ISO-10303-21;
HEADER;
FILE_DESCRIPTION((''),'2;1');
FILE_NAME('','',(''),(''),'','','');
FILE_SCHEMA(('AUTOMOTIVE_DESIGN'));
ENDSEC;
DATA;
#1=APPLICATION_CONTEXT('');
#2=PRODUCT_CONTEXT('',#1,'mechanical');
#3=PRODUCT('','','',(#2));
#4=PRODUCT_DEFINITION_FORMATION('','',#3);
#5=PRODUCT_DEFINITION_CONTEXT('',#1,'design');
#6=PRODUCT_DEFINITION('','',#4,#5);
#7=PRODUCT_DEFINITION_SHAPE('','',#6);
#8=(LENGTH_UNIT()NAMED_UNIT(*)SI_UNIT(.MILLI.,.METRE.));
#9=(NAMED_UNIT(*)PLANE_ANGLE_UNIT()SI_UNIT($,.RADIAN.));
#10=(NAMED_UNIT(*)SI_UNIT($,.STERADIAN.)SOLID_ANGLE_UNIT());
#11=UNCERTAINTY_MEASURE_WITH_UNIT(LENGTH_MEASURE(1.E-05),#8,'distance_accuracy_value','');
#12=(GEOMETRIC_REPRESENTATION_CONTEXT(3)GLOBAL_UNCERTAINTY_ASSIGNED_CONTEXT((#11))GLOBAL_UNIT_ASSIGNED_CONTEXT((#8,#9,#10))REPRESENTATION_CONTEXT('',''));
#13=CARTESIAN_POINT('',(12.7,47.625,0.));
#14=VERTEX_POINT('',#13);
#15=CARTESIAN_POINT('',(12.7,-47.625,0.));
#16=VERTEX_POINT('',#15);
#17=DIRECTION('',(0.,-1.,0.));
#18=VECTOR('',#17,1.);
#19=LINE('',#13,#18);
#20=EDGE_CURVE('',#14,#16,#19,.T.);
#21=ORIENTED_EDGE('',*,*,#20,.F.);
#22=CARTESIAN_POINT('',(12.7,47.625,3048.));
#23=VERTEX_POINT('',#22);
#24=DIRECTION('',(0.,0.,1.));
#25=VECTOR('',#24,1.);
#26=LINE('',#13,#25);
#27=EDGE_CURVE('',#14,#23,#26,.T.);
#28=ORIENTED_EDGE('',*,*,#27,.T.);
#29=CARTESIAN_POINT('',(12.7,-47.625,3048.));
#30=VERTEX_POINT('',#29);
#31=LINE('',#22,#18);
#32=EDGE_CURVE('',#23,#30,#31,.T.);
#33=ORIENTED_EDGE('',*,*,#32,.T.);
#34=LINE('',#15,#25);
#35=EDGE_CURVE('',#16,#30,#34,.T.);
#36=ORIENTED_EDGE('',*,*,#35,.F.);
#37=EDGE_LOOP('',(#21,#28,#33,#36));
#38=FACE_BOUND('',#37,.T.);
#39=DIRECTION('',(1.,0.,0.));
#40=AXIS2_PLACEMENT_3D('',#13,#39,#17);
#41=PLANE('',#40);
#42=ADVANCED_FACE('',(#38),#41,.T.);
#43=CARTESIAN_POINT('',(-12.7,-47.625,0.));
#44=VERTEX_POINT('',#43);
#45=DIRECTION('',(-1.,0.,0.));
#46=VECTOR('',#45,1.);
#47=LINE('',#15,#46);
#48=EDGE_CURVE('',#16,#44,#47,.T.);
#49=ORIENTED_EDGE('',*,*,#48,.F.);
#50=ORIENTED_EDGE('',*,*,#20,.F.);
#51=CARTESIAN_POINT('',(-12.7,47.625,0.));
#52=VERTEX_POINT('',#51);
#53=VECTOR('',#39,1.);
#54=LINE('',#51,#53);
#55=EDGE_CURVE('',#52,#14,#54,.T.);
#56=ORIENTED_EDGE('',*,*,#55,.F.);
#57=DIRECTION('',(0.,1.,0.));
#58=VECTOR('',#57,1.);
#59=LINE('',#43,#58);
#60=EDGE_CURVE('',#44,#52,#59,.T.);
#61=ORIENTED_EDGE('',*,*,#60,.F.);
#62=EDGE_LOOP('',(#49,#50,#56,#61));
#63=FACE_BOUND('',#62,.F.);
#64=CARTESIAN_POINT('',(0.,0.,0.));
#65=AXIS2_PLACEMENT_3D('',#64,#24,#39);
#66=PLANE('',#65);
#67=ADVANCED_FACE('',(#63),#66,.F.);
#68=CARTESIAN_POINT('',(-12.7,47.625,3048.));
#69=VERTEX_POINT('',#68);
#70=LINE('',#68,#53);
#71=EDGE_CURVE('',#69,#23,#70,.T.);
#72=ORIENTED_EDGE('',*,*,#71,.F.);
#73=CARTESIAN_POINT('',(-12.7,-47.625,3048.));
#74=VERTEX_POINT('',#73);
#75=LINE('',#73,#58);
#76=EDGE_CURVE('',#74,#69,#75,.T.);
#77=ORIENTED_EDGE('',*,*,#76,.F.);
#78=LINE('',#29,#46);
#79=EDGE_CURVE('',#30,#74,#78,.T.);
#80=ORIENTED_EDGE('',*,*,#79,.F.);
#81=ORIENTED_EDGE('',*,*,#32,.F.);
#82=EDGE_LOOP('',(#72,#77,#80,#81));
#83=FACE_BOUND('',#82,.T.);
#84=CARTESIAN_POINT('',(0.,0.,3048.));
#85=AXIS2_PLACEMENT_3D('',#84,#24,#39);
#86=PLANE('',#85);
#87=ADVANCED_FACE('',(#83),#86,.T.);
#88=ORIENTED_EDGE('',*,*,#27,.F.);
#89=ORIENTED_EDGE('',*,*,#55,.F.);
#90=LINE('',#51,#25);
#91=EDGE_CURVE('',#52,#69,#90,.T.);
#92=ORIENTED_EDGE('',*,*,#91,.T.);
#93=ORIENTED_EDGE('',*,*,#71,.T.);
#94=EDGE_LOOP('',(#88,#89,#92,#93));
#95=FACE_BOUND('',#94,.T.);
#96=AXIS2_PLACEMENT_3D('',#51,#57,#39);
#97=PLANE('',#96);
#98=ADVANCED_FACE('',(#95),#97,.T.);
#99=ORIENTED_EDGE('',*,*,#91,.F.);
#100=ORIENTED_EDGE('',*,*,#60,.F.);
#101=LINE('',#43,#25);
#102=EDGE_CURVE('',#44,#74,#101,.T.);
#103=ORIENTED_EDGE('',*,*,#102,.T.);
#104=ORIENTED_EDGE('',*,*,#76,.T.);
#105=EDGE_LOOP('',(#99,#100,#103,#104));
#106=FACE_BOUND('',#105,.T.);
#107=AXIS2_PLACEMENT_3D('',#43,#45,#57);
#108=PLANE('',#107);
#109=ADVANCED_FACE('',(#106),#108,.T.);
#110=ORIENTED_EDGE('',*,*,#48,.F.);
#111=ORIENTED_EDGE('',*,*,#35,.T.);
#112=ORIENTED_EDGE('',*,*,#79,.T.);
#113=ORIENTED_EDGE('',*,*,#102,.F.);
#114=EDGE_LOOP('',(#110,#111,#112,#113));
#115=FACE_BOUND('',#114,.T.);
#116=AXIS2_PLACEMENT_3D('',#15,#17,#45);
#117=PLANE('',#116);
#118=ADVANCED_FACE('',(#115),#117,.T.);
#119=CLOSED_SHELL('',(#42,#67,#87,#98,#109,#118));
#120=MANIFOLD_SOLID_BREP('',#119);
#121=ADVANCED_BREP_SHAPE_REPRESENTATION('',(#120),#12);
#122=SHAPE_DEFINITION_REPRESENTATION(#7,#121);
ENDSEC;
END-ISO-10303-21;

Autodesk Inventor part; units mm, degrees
ref_plane "YZ Plane" through (0, 0, 0) normal (1, 0, 0) x (0, 1, 0)
ref_plane "Start Plane" through (0, 0, 0) normal (0, 0, 1) x (1, 0, 0)
ref_plane "End Plane" through (0, 0, 3048) normal (0, 0, 1) x (1, 0, 0)
sketch "Sketch" plane through (0, 0, 0) normal (0, 0, 1) x (1, 0, 0)
  line L0 (12.7, -47.625) -> (-12.7, -47.625)
  line L1 (-12.7, -47.625) -> (-12.7, 47.625)
  line L2 (-12.7, 47.625) -> (12.7, 47.625)
  line L3 (12.7, 47.625) -> (12.7, -47.625)
  line L4 (-6, 0) -> (8, 0) construction
  line L5 (0, -30) -> (0, 40) construction
  line L6 (0, 66.675) -> (0, -66.675) construction
  line L7 (-17.78, 0) -> (17.78, 0) construction
  dimension "d0" = 95.25
  dimension "d1" = 25.4
  dimension "d4" = 12.7
  dimension "d5" = 47.625
extrude "Body" add sketch "Sketch" along normal up to surface (3048 mm away) from surface at 0
sketch "Sketch3" plane through (0, 0, 0) normal (0, 0, 1) x (1, 0, 0)
  line L0 (0, 0) -> (10, 0)
ref_plane "Work Plane3" through (0, 0, 0) normal (0, -1, 0) x (1, 0, 0)
sketch "Sketch4" plane through (0, 0, 0) normal (0, -1, 0) x (1, 0, 0)
  line L0 (-2, 0) -> (12, 0) projected
  line L1 (-2, 3048) -> (12, 3048) projected
  dimension "d9" = 3048
equation "\"d0\" = G_W"
equation "\"d1\" = G_H"
equation "\"d4\" = 0.5 * d1"
equation "\"d5\" = 0.5 * d0"
equation "\"d2\" = G_L"
equation "\"G_W\" = 95.25"
equation "\"G_H\" = 25.4"
equation "\"G_L\" = d9"
equation "\"G_OFFSET_START\" = 0"
equation "\"G_OFFSET_END\" = 0"
equation "\"d7\" = G_OFFSET_END + B_L"
equation "\"B_L\" = 3048"
properties part number "AISC - 3 3/4x1 - 120" material "Steel, Mild"
